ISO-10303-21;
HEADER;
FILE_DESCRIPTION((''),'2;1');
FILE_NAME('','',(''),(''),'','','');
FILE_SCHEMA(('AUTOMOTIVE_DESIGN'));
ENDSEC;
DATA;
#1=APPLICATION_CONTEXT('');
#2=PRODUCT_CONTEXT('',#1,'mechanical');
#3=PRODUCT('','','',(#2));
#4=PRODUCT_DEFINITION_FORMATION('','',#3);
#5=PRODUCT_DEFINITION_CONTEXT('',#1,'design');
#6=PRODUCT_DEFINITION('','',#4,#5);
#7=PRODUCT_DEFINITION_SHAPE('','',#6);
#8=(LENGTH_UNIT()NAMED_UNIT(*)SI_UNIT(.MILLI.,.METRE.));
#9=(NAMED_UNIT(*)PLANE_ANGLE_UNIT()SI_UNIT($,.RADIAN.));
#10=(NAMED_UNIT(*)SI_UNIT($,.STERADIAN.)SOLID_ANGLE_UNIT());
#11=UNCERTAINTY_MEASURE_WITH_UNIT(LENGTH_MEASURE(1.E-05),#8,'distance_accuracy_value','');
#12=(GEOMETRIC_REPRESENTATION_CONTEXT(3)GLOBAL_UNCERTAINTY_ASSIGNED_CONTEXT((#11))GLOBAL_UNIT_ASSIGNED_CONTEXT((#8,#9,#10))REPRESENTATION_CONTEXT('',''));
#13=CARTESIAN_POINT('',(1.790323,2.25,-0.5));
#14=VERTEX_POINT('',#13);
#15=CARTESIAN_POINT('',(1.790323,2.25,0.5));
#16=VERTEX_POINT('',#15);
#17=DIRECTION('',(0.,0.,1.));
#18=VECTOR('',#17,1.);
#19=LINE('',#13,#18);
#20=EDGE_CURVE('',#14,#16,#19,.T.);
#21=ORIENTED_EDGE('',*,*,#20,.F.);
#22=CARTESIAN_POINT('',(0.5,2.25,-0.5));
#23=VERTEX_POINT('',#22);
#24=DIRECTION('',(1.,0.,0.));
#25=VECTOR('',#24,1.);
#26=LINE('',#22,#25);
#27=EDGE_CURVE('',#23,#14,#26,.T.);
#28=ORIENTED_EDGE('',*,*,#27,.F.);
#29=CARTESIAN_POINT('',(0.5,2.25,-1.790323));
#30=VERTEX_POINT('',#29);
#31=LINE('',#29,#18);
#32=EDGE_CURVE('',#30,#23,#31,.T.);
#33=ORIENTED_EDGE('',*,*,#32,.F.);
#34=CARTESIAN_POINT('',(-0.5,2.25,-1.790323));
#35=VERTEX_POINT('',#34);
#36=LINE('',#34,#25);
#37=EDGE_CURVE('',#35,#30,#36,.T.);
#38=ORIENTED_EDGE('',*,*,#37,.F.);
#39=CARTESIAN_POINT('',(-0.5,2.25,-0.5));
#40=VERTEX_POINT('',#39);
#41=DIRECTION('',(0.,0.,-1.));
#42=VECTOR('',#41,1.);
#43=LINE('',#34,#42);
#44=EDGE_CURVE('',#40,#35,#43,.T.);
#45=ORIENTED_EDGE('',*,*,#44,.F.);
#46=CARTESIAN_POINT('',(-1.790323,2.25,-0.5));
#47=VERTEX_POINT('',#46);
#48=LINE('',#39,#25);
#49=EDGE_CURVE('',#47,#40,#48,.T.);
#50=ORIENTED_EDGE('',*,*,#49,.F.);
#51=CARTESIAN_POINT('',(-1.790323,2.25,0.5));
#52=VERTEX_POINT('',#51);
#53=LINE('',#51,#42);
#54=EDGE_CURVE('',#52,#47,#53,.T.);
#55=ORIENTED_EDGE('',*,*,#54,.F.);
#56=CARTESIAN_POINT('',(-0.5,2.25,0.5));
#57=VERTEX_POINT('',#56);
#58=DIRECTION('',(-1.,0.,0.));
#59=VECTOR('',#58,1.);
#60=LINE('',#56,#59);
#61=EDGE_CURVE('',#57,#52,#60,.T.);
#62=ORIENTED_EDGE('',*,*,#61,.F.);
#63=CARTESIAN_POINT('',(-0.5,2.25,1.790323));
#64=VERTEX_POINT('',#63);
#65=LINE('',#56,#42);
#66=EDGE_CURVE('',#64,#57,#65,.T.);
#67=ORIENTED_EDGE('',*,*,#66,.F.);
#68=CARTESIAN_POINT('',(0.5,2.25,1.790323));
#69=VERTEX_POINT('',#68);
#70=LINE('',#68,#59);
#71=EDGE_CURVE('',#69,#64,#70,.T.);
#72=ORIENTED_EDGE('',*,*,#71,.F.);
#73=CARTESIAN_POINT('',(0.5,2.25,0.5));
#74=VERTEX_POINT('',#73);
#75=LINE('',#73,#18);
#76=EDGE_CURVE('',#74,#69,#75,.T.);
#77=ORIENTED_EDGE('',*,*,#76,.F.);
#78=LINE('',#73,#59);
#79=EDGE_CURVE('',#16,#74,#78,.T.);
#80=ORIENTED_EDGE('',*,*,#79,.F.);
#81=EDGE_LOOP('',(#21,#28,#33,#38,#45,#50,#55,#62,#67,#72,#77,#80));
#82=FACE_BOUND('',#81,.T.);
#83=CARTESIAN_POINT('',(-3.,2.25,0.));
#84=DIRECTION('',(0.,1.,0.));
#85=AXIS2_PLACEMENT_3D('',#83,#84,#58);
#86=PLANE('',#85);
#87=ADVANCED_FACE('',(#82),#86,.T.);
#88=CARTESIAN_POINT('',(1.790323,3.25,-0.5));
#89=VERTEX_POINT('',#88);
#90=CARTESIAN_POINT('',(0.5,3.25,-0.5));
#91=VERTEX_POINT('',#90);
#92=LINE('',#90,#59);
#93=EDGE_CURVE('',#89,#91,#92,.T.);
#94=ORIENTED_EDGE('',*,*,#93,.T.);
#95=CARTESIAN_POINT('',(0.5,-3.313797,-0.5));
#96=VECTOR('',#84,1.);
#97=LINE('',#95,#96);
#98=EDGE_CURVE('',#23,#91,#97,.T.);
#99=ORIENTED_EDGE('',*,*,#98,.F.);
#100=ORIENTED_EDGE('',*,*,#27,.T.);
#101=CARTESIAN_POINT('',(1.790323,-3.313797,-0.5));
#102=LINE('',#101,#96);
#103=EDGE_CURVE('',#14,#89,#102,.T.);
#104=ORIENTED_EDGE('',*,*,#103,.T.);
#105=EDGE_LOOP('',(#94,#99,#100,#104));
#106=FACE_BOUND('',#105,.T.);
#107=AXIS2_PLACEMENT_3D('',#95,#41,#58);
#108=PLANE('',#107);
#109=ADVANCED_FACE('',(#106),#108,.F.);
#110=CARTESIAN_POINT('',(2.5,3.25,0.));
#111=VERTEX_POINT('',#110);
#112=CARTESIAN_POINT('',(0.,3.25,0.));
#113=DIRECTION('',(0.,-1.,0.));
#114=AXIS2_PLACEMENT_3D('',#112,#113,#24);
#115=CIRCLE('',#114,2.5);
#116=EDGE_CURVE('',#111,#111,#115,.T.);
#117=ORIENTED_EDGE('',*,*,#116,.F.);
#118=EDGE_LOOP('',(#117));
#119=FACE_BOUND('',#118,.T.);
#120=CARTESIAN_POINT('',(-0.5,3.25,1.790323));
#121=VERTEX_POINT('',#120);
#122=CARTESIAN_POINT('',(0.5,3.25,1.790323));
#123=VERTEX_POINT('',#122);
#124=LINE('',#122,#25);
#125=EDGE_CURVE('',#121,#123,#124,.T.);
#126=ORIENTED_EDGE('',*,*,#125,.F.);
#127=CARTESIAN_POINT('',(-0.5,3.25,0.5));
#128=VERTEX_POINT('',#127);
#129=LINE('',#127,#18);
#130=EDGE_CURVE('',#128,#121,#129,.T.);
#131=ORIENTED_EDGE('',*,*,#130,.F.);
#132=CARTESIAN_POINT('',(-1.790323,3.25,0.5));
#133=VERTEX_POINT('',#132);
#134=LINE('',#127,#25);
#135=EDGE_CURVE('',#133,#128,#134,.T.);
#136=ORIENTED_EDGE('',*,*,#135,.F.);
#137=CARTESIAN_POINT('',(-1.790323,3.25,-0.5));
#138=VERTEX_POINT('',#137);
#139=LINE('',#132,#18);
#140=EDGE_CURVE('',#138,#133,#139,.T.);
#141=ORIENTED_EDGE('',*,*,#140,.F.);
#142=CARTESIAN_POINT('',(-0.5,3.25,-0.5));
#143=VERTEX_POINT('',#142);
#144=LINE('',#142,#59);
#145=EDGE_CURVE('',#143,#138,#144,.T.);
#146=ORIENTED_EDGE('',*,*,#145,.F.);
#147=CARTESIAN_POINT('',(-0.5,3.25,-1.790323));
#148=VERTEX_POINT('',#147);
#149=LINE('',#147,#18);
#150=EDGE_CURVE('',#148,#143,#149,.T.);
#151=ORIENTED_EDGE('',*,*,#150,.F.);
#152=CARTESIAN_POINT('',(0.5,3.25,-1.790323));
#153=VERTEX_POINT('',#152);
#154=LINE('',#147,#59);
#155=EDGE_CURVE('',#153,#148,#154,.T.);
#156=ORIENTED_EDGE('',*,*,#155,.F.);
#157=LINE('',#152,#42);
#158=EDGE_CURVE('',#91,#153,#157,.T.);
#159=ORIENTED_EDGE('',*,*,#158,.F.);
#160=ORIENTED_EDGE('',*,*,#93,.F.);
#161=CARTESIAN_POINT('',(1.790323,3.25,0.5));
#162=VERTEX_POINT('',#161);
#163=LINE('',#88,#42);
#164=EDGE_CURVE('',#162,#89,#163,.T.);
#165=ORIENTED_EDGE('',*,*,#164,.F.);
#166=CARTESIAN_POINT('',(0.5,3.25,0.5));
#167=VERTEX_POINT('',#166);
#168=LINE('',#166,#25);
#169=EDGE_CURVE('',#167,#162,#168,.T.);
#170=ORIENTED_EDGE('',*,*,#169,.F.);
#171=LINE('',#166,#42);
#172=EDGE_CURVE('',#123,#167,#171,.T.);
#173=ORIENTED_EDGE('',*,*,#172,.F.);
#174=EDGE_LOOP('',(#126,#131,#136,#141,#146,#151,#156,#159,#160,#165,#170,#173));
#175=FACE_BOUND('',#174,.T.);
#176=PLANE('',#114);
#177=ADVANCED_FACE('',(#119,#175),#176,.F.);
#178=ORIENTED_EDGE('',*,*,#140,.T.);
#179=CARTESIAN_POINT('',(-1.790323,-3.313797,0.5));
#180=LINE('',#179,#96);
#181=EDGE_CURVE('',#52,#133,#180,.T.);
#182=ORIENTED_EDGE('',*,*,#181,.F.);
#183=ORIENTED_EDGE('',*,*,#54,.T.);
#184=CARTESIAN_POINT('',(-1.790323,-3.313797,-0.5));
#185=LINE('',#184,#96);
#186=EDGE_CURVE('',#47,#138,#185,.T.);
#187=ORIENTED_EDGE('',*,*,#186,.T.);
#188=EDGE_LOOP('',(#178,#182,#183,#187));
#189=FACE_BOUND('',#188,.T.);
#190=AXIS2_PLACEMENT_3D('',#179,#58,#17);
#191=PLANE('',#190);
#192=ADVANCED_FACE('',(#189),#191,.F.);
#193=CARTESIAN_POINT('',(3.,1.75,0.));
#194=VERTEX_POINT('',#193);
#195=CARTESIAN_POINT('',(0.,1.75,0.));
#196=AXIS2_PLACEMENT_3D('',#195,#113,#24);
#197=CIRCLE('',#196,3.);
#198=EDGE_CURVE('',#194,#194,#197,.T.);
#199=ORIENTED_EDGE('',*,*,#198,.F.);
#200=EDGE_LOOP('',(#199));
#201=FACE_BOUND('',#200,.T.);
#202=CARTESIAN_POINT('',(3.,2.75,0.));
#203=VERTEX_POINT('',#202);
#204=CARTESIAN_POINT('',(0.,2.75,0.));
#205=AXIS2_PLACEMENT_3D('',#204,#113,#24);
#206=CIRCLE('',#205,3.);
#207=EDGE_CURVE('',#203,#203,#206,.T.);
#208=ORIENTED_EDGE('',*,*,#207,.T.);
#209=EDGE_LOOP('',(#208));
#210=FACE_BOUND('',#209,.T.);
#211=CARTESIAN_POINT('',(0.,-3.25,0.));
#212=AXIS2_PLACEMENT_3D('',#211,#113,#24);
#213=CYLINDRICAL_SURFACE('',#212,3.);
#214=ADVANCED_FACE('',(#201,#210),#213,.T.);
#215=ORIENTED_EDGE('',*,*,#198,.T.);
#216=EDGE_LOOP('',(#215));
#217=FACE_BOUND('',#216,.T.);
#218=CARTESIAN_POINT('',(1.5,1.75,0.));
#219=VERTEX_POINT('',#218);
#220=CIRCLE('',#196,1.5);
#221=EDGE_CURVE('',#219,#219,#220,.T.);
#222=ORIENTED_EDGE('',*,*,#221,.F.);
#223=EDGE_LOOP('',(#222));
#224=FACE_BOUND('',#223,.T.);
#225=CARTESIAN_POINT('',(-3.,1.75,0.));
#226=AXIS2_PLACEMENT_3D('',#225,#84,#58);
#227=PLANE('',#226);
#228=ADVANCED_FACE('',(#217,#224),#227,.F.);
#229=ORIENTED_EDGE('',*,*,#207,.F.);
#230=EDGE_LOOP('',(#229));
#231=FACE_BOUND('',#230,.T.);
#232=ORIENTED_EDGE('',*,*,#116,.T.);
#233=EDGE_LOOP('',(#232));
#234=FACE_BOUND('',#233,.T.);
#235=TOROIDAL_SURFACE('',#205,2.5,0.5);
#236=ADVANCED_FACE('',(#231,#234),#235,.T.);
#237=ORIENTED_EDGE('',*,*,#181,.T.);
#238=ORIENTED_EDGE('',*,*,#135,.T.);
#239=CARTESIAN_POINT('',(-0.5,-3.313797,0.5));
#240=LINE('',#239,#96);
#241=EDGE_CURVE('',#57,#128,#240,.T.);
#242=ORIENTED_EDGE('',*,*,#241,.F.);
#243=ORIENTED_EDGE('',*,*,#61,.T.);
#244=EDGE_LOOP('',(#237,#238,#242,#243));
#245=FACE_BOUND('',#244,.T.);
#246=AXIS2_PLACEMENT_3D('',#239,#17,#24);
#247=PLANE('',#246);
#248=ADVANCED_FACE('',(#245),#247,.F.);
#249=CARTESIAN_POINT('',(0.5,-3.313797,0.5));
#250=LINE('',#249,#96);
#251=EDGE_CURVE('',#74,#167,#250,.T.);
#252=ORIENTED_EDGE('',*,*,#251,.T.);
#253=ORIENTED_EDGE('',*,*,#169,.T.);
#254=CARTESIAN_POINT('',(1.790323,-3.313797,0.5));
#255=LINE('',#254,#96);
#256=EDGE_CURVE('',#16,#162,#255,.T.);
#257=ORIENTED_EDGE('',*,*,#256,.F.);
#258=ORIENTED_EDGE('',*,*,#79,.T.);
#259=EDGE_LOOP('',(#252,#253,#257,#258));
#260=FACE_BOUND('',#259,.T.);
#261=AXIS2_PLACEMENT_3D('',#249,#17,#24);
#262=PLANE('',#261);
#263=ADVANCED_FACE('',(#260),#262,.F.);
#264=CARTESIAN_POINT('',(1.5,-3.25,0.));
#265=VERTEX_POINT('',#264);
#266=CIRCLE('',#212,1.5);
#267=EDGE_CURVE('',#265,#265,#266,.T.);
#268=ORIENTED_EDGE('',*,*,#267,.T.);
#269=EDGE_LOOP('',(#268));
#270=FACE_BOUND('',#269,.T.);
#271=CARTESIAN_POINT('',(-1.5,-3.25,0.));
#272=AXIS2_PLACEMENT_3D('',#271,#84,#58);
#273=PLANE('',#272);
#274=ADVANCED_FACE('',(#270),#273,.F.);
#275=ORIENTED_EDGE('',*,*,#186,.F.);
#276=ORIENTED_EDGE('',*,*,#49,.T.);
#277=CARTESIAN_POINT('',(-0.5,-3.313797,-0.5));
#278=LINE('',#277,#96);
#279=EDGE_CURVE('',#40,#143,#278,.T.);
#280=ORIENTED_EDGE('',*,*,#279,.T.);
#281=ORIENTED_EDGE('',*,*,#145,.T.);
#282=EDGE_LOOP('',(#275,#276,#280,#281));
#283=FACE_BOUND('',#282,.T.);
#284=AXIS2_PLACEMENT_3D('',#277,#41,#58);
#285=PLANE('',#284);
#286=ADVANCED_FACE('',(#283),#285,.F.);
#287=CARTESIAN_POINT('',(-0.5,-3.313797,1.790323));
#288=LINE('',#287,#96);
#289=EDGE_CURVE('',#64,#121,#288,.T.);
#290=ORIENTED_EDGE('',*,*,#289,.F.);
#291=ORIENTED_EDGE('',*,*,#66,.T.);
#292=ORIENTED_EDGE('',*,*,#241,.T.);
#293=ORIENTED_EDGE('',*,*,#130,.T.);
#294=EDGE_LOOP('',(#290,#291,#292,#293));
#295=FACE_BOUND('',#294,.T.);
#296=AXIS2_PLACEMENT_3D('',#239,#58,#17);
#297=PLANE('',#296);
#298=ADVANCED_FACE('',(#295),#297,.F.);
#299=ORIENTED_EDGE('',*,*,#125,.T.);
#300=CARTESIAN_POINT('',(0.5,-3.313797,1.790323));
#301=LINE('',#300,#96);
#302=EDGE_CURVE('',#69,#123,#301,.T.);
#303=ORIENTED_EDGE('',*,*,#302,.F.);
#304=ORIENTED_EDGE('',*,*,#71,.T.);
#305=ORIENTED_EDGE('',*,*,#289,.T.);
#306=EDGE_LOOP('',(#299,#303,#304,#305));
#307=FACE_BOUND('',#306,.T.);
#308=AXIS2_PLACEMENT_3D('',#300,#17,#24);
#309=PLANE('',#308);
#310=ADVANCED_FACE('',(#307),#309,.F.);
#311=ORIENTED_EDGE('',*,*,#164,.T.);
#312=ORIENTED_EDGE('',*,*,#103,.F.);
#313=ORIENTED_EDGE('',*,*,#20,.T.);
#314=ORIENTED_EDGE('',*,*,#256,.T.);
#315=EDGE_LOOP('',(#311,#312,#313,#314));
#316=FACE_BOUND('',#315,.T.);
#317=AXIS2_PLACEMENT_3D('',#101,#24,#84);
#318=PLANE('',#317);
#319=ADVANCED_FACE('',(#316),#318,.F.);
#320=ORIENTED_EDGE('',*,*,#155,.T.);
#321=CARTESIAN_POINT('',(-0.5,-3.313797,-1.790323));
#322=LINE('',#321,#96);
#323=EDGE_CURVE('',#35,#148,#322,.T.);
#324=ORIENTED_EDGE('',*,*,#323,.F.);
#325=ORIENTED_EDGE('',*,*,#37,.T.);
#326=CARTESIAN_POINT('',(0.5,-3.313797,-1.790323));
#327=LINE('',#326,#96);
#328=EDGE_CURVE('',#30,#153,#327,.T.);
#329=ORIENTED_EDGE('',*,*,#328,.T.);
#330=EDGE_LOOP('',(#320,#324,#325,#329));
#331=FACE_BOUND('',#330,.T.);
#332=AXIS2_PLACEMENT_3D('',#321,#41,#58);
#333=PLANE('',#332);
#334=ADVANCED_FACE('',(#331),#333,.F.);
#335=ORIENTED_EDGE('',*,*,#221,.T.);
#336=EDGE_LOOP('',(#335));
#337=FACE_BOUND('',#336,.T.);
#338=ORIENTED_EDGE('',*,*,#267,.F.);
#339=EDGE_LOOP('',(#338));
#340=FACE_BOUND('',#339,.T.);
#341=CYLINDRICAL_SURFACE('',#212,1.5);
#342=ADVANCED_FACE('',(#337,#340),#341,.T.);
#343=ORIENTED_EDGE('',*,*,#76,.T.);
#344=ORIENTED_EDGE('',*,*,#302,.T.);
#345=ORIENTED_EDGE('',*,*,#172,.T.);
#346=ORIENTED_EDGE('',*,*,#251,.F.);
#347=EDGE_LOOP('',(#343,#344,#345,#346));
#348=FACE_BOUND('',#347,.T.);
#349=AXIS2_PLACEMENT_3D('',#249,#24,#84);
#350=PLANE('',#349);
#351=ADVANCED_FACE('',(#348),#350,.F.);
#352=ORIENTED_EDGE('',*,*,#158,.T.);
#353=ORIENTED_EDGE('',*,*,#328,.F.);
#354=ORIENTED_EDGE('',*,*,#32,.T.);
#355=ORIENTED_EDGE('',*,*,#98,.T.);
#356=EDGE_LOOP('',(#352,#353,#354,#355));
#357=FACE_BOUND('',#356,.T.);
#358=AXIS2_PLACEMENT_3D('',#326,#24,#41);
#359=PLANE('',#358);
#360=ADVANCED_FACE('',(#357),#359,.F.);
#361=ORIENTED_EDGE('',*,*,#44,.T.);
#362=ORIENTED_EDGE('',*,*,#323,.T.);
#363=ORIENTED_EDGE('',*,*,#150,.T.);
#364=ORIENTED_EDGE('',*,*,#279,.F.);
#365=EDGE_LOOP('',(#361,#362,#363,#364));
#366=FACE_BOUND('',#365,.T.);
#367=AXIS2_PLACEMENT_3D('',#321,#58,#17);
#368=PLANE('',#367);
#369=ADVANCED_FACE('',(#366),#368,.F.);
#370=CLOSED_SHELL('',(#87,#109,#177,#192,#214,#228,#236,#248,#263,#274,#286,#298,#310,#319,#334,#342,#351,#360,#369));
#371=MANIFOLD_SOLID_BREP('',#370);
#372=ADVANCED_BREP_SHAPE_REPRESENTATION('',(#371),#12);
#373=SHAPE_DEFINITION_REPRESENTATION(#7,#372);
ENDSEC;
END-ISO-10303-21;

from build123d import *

# Parameters (mm, degrees)
CUT_EXTRUDE2_DEPTH = 1


with BuildPart() as part:
    # Sketch3 → Revolve1 (revolve)
    with BuildSketch(Plane.XY, mode=Mode.PRIVATE) as revolve1_sk:
        with BuildLine():
            Line((-1.5, 1.75), (-1.5, -3.25))
            Line((-1.5, -3.25), (0, -3.25))
            Line((0, -3.25), (0, 3.25))
            Line((0, 3.25), (-2.5, 3.25))
            ThreePointArc((-2.5, 3.25), (-2.853553391, 3.103553391), (-3, 2.75))
            Line((-3, 2.75), (-3, 1.75))
            Line((-3, 1.75), (-1.5, 1.75))
        make_face()
    revolve(revolve1_sk.sketch.rotate(Axis((0, -3.25, 0), (0, 1, 0)), 180), axis=Axis((0, -3.25, 0), (0, 1, 0)))

    # Sketch5 → Cut-Extrude2 (cut)
    with BuildSketch(Plane(origin=(0, 3.25, 0), x_dir=(1, 0, 0), z_dir=(0, 1, 0))):
        Polygon((-0.5, 1.790322581), (0.5, 1.790322581), (0.5, 0.5), (1.790322581, 0.5), (1.790322581, -0.5), (0.5, -0.5), (0.5, -1.790322581), (-0.5, -1.790322581), (-0.5, -0.5), (-1.790322581, -0.5), (-1.790322581, 0.5), (-0.5, 0.5), align=None)
    extrude(amount=-CUT_EXTRUDE2_DEPTH, mode=Mode.SUBTRACT)


solid = part.part
